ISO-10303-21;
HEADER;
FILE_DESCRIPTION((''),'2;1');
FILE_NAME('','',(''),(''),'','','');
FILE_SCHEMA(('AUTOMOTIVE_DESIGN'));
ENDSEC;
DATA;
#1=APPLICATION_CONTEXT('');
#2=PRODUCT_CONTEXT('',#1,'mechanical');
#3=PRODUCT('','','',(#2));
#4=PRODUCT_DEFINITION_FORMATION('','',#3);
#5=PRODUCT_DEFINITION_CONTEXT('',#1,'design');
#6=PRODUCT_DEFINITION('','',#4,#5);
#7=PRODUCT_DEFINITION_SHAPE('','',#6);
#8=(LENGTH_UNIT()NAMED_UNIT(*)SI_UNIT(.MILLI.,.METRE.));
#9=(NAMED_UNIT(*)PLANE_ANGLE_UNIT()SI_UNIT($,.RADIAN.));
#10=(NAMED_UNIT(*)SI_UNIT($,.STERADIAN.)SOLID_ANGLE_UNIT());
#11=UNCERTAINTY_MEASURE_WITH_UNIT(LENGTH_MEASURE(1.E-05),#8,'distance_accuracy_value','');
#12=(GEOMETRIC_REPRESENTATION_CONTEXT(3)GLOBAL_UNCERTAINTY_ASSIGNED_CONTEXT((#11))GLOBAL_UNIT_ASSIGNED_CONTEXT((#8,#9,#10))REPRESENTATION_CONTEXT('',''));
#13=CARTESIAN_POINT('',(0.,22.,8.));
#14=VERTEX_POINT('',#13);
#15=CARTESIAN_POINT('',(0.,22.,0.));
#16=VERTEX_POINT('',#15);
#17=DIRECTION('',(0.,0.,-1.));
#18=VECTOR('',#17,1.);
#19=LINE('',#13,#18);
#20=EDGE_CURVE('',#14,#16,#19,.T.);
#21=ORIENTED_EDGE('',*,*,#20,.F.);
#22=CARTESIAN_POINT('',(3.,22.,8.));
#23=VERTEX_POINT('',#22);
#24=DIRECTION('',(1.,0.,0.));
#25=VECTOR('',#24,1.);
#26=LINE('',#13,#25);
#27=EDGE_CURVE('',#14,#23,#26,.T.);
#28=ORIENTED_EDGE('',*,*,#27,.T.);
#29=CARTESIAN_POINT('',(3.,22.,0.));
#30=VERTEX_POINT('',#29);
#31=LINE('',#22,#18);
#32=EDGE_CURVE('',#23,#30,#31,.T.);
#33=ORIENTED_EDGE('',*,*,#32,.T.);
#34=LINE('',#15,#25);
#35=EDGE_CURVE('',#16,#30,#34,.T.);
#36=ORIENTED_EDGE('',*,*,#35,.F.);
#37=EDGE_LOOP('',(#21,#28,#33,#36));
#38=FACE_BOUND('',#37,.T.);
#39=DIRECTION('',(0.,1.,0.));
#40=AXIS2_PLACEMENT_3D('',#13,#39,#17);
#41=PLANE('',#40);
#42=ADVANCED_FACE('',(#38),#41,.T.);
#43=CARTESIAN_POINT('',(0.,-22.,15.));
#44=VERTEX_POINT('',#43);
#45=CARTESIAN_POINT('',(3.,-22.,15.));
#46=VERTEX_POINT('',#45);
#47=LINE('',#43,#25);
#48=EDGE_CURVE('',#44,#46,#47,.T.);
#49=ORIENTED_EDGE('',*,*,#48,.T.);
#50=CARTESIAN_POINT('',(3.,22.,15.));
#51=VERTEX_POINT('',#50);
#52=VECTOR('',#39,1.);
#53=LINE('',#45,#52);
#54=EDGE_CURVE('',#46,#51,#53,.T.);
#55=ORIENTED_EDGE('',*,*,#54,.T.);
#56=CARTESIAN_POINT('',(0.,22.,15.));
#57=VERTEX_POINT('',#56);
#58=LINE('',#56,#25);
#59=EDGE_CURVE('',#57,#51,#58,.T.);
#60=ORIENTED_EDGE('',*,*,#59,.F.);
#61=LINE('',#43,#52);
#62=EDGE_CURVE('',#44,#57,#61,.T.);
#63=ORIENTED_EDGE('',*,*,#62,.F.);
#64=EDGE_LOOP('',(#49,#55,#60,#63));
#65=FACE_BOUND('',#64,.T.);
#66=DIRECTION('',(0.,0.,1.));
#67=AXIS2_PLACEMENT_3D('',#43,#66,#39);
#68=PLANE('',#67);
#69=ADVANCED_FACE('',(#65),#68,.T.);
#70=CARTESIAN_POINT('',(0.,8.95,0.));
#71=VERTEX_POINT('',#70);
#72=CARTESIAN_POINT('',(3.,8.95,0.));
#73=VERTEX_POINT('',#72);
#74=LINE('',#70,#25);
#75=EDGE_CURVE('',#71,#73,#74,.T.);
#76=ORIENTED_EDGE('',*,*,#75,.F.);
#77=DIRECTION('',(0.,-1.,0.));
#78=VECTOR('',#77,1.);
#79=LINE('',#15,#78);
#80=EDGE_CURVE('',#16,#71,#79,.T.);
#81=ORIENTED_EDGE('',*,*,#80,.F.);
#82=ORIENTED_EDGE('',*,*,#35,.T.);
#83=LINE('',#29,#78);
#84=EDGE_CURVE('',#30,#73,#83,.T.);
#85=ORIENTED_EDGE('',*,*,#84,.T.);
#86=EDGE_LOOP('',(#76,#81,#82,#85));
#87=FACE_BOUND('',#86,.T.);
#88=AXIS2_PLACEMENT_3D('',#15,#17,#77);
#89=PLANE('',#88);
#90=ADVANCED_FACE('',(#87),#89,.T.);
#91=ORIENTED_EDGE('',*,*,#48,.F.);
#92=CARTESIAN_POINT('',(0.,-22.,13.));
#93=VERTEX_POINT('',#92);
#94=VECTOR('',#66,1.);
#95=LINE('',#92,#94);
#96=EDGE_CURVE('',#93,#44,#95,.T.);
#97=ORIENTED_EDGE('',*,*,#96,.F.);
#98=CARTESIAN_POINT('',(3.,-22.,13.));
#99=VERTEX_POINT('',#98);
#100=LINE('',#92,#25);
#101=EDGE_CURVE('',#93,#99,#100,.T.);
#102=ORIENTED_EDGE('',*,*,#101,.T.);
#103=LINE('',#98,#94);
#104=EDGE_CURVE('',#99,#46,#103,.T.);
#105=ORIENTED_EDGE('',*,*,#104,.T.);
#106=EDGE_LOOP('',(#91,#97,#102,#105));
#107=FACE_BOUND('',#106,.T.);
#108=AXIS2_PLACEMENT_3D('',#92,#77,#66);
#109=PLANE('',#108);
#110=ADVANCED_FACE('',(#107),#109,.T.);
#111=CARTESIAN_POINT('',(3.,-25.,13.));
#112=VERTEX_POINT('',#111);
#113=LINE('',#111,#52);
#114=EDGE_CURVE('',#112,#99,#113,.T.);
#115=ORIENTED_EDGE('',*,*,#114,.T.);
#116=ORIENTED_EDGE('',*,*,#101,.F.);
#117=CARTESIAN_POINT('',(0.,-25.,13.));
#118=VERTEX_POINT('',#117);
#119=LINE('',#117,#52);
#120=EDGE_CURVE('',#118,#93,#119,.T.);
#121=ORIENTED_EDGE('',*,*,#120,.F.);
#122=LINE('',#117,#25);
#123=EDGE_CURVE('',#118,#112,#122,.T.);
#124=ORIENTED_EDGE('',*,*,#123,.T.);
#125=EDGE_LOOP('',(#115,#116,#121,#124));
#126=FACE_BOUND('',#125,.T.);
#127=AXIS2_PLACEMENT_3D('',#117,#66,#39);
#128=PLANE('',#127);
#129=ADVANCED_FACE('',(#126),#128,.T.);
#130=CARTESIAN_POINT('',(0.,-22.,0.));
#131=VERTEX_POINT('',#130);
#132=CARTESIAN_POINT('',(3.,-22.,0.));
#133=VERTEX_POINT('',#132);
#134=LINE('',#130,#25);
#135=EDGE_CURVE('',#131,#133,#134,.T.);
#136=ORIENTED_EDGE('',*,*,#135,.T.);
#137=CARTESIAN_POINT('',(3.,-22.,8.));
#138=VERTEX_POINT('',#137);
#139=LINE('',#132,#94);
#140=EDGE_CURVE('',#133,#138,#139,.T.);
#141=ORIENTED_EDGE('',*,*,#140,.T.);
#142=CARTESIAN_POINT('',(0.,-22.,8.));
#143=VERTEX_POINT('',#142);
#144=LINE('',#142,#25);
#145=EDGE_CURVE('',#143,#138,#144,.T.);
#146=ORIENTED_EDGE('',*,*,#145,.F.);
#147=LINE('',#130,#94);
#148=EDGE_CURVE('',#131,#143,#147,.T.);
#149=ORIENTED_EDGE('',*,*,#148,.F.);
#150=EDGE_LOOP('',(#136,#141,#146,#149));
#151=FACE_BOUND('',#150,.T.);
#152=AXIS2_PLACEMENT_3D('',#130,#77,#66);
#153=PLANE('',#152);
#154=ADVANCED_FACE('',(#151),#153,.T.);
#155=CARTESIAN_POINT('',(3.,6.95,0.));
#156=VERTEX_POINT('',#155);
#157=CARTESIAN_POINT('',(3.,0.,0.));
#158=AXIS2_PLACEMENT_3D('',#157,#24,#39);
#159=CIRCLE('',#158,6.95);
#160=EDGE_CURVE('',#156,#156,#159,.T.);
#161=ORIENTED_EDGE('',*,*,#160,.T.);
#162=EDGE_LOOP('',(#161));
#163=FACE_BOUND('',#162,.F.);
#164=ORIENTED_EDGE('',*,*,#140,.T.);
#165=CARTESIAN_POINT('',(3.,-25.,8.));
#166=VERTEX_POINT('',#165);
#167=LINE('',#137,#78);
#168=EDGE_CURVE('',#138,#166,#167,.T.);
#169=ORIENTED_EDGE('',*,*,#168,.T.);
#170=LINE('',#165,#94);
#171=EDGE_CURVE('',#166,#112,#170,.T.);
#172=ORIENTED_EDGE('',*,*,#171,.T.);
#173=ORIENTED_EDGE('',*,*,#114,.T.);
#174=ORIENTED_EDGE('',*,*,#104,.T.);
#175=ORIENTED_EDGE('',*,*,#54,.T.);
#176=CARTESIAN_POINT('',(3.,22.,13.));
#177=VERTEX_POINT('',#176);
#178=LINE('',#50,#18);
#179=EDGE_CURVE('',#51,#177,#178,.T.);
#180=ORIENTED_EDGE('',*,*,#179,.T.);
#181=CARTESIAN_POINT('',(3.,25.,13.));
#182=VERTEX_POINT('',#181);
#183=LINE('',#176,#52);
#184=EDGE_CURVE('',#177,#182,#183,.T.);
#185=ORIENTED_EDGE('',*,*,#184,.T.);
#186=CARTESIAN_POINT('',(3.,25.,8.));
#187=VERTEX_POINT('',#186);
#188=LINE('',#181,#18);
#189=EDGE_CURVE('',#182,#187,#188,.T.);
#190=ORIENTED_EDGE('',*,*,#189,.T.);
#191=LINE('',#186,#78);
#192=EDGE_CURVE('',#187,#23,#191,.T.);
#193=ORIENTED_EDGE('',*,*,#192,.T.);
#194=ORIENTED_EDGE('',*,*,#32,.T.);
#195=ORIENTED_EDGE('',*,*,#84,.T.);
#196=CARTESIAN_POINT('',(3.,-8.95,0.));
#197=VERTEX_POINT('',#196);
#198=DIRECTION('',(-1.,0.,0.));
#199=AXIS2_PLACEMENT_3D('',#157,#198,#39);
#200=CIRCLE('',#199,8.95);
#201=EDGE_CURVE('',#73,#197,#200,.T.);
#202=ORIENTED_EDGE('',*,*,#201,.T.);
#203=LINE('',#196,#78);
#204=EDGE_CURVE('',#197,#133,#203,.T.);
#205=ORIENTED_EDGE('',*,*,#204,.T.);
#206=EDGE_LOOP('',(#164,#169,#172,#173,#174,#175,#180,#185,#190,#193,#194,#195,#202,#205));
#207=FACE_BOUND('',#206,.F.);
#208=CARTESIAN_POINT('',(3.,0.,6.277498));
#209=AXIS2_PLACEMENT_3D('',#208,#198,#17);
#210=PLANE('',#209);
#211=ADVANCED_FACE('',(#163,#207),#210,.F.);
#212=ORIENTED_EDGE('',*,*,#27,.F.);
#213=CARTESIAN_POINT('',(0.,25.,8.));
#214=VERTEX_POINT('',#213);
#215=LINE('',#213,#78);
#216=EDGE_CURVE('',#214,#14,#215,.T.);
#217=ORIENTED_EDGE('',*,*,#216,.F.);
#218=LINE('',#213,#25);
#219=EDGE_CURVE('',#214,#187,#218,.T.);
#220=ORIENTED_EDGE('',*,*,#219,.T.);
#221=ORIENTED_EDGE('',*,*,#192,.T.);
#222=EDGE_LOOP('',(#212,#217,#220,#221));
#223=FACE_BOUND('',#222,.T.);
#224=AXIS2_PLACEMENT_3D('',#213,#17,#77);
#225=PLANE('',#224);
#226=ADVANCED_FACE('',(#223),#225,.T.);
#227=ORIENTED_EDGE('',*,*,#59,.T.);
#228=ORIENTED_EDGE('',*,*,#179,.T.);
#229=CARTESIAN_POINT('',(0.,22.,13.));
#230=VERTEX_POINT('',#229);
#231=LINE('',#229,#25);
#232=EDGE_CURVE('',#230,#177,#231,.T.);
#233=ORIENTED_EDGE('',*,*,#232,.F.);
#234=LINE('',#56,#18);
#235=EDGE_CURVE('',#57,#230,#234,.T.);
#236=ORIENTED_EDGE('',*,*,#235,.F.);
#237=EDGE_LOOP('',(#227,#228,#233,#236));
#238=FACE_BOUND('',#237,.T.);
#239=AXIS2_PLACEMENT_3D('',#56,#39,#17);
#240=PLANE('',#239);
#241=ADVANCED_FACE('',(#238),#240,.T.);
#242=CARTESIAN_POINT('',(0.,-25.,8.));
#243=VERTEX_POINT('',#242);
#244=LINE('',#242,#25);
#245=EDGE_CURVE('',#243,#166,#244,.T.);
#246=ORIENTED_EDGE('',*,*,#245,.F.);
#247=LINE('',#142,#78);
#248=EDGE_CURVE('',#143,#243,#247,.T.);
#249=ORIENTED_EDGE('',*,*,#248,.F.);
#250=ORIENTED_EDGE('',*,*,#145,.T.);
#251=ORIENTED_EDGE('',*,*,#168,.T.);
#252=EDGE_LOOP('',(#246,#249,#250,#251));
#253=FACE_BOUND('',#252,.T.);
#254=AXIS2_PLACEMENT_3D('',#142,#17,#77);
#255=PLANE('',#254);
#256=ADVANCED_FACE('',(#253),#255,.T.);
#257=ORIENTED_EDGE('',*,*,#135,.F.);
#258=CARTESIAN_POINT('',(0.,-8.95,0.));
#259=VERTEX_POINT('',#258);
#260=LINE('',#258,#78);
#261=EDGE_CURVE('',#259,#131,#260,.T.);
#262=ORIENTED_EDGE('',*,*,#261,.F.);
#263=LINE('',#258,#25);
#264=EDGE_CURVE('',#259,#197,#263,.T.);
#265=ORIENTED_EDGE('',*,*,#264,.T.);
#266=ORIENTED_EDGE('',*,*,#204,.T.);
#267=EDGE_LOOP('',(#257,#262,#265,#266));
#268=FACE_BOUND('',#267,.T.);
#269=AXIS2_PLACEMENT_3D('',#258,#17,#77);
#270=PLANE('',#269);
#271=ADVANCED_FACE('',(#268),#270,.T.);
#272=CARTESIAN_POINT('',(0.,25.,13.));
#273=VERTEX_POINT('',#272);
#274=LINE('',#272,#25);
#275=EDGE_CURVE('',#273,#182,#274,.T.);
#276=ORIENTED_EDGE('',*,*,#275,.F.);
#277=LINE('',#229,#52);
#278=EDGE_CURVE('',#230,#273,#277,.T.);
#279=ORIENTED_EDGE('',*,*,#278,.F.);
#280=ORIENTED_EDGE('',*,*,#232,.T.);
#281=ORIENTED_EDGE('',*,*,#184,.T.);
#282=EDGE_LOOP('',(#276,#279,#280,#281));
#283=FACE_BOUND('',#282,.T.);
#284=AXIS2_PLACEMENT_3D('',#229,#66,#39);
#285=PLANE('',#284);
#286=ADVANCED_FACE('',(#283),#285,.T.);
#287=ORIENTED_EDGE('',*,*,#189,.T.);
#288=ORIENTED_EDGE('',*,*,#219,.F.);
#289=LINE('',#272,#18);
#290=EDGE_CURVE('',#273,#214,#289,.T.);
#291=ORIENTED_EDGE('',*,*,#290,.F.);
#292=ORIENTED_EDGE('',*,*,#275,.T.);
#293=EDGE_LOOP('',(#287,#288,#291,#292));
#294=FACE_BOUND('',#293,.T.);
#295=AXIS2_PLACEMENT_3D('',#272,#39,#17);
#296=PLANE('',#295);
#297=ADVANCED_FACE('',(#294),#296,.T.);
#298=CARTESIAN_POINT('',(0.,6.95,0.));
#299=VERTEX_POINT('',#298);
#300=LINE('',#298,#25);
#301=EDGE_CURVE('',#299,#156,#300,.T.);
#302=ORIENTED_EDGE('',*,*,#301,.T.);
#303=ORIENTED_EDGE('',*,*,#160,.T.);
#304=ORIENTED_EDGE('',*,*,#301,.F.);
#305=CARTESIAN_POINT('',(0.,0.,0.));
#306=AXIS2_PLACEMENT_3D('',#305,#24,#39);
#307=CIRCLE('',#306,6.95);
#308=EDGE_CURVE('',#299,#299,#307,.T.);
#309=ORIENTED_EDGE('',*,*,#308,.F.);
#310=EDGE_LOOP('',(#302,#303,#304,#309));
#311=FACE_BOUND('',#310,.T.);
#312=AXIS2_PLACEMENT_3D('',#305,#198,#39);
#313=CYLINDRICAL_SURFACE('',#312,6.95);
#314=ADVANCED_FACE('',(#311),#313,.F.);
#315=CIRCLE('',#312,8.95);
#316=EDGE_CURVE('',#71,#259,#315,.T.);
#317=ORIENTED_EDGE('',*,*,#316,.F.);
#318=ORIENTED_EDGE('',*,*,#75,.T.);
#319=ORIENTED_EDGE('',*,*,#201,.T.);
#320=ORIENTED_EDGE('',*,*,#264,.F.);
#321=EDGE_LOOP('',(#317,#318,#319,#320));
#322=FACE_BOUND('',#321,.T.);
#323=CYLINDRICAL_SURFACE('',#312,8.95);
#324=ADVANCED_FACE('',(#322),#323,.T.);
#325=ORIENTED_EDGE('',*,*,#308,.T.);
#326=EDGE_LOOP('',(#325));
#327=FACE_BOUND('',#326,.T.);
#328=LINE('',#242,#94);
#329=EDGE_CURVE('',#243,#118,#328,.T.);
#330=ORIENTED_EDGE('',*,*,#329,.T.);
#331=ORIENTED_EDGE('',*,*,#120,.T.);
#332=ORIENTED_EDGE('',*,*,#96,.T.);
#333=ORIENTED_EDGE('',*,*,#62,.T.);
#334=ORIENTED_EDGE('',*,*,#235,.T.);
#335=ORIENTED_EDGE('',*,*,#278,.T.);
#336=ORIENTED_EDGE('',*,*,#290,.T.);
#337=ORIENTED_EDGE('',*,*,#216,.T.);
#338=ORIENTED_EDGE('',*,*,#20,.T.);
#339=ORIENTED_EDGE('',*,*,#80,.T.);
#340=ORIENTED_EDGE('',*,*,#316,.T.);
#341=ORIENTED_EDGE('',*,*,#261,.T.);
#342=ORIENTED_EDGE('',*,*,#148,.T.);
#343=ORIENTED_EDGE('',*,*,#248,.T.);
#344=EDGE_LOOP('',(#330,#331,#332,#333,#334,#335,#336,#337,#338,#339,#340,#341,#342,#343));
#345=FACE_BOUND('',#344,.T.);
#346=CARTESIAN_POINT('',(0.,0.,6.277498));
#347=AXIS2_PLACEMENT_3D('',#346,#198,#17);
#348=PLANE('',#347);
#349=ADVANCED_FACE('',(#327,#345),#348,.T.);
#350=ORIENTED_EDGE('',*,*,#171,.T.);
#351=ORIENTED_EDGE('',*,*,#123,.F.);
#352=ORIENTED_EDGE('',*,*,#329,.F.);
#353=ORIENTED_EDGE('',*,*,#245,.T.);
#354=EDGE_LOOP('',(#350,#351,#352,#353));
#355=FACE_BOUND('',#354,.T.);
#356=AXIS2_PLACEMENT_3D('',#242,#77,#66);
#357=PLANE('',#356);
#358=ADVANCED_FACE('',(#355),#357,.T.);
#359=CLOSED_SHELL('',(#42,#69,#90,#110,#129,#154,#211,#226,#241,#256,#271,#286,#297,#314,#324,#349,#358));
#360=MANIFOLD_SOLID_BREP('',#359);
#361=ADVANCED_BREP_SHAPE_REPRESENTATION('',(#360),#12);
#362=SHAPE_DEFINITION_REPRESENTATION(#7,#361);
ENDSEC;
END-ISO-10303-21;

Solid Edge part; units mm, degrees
sketch "Sketch1" plane through (0, 0, 0) normal (1, 0, 0) x (0, 1, 0)
  line L0 (22, 15) -> (22, 13)
  line L1 (22, 13) -> (25, 13)
  line L2 (25, 13) -> (25, 8)
  line L3 (25, 8) -> (22, 8)
  line L4 (22, 8) -> (22, 0)
  line L5 (22, 0) -> (8.95, 0)
  line L6 (-8.95, 0) -> (-22, 0)
  line L7 (-22, 0) -> (-22, 8)
  line L8 (-22, 8) -> (-25, 8)
  line L9 (-25, 8) -> (-25, 13)
  line L10 (-25, 13) -> (-22, 13)
  line L11 (-22, 13) -> (-22, 15)
  line L12 (-22, 15) -> (22, 15)
  arc A0 (8.95, 0) -> (-8.95, 0) centre (0, 0) cw
  circle A1 centre (0, 0) radius 6.95
  dimension "D1" = 3
  dimension "D2" = 5
  dimension "D3" = 2
  dimension "D4" = 50
  dimension "D5" = 8
  dimension "D6" = 13.9
  dimension "D7" = 2
extrude "Protrusion1" add sketch "Sketch1" along normal blind 3
properties material "Acier"
